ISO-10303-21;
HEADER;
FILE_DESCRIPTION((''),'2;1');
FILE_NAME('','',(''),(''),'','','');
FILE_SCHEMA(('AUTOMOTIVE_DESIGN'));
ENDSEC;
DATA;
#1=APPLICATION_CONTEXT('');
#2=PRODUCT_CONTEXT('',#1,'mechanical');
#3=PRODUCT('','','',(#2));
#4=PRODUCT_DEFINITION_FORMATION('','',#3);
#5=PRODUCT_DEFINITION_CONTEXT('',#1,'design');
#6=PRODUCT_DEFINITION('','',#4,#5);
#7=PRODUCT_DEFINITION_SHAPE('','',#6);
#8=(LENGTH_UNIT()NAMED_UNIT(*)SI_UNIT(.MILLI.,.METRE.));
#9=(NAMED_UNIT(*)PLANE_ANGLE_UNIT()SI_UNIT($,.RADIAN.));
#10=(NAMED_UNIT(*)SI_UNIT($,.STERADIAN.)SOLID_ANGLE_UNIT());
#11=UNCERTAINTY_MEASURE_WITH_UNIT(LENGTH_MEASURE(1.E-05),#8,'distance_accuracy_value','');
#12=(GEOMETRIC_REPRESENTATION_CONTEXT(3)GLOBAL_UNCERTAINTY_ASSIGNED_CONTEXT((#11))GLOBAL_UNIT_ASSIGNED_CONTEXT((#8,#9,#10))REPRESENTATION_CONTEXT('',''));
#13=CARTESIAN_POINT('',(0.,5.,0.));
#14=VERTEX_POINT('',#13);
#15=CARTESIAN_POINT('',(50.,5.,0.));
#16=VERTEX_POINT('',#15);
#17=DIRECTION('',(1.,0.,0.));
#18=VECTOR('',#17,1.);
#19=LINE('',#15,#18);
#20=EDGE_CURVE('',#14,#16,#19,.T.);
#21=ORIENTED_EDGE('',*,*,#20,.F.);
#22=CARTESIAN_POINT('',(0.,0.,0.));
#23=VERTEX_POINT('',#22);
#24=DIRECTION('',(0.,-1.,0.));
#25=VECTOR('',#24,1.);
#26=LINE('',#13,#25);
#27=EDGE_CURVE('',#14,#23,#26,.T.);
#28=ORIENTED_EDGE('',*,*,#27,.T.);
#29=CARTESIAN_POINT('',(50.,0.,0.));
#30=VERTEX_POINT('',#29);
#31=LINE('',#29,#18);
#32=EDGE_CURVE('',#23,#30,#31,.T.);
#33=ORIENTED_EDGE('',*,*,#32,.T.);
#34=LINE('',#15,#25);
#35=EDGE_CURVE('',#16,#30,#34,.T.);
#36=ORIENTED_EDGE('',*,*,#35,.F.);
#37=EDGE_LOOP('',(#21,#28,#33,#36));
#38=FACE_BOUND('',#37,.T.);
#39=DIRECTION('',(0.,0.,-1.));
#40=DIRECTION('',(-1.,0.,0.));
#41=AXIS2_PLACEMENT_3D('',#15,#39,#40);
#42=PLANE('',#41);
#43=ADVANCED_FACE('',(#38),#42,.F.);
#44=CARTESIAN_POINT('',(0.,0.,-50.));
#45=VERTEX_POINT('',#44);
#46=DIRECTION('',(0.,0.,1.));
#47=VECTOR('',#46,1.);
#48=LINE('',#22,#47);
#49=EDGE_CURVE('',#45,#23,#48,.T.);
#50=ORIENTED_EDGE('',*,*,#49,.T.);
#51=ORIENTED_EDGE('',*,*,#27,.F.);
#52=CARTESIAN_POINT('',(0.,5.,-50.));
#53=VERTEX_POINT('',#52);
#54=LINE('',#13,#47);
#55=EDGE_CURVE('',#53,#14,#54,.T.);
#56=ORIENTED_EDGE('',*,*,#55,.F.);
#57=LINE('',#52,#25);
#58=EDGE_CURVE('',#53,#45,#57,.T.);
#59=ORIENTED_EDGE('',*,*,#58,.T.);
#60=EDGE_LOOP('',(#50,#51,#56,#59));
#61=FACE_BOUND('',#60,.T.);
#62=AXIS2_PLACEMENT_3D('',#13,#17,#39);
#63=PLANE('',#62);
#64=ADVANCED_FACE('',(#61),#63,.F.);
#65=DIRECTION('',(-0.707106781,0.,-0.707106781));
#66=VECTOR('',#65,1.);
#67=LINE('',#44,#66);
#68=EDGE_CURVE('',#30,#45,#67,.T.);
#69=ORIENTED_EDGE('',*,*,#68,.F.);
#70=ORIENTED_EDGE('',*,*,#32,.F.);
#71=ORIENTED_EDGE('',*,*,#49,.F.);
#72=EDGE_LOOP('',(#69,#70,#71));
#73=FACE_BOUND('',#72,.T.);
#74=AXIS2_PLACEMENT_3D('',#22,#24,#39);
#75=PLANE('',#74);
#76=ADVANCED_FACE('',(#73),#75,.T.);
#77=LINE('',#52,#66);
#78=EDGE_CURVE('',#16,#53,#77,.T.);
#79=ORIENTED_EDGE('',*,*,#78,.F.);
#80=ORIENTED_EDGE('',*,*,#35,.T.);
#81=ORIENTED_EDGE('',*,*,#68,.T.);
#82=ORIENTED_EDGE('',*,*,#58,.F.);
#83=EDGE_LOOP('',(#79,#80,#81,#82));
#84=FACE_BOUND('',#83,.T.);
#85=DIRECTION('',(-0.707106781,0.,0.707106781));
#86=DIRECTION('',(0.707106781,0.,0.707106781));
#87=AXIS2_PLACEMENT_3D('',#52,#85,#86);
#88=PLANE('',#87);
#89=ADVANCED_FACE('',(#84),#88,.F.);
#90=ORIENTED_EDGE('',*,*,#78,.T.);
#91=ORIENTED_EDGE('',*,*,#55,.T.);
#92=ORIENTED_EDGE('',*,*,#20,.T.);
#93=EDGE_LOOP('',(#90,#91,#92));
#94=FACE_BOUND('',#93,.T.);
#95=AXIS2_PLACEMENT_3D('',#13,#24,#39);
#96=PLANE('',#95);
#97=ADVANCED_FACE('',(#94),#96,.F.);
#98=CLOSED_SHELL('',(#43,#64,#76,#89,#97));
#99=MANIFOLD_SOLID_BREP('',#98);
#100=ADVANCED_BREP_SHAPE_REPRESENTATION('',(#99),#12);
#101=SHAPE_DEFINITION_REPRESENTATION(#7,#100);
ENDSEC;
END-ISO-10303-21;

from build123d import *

# Parameters (mm, degrees)
BOSS_EXTRUDE1_DEPTH = 5


with BuildPart() as part:
    # Sketch1 → Boss-Extrude1 (new body)
    with BuildSketch(Plane(origin=(0, 0, 0), x_dir=(1, 0, 0), z_dir=(0, 1, 0))):
        Polygon((0, 0), (0, 50), (50, 0), align=None)
    extrude(amount=BOSS_EXTRUDE1_DEPTH)


solid = part.part
